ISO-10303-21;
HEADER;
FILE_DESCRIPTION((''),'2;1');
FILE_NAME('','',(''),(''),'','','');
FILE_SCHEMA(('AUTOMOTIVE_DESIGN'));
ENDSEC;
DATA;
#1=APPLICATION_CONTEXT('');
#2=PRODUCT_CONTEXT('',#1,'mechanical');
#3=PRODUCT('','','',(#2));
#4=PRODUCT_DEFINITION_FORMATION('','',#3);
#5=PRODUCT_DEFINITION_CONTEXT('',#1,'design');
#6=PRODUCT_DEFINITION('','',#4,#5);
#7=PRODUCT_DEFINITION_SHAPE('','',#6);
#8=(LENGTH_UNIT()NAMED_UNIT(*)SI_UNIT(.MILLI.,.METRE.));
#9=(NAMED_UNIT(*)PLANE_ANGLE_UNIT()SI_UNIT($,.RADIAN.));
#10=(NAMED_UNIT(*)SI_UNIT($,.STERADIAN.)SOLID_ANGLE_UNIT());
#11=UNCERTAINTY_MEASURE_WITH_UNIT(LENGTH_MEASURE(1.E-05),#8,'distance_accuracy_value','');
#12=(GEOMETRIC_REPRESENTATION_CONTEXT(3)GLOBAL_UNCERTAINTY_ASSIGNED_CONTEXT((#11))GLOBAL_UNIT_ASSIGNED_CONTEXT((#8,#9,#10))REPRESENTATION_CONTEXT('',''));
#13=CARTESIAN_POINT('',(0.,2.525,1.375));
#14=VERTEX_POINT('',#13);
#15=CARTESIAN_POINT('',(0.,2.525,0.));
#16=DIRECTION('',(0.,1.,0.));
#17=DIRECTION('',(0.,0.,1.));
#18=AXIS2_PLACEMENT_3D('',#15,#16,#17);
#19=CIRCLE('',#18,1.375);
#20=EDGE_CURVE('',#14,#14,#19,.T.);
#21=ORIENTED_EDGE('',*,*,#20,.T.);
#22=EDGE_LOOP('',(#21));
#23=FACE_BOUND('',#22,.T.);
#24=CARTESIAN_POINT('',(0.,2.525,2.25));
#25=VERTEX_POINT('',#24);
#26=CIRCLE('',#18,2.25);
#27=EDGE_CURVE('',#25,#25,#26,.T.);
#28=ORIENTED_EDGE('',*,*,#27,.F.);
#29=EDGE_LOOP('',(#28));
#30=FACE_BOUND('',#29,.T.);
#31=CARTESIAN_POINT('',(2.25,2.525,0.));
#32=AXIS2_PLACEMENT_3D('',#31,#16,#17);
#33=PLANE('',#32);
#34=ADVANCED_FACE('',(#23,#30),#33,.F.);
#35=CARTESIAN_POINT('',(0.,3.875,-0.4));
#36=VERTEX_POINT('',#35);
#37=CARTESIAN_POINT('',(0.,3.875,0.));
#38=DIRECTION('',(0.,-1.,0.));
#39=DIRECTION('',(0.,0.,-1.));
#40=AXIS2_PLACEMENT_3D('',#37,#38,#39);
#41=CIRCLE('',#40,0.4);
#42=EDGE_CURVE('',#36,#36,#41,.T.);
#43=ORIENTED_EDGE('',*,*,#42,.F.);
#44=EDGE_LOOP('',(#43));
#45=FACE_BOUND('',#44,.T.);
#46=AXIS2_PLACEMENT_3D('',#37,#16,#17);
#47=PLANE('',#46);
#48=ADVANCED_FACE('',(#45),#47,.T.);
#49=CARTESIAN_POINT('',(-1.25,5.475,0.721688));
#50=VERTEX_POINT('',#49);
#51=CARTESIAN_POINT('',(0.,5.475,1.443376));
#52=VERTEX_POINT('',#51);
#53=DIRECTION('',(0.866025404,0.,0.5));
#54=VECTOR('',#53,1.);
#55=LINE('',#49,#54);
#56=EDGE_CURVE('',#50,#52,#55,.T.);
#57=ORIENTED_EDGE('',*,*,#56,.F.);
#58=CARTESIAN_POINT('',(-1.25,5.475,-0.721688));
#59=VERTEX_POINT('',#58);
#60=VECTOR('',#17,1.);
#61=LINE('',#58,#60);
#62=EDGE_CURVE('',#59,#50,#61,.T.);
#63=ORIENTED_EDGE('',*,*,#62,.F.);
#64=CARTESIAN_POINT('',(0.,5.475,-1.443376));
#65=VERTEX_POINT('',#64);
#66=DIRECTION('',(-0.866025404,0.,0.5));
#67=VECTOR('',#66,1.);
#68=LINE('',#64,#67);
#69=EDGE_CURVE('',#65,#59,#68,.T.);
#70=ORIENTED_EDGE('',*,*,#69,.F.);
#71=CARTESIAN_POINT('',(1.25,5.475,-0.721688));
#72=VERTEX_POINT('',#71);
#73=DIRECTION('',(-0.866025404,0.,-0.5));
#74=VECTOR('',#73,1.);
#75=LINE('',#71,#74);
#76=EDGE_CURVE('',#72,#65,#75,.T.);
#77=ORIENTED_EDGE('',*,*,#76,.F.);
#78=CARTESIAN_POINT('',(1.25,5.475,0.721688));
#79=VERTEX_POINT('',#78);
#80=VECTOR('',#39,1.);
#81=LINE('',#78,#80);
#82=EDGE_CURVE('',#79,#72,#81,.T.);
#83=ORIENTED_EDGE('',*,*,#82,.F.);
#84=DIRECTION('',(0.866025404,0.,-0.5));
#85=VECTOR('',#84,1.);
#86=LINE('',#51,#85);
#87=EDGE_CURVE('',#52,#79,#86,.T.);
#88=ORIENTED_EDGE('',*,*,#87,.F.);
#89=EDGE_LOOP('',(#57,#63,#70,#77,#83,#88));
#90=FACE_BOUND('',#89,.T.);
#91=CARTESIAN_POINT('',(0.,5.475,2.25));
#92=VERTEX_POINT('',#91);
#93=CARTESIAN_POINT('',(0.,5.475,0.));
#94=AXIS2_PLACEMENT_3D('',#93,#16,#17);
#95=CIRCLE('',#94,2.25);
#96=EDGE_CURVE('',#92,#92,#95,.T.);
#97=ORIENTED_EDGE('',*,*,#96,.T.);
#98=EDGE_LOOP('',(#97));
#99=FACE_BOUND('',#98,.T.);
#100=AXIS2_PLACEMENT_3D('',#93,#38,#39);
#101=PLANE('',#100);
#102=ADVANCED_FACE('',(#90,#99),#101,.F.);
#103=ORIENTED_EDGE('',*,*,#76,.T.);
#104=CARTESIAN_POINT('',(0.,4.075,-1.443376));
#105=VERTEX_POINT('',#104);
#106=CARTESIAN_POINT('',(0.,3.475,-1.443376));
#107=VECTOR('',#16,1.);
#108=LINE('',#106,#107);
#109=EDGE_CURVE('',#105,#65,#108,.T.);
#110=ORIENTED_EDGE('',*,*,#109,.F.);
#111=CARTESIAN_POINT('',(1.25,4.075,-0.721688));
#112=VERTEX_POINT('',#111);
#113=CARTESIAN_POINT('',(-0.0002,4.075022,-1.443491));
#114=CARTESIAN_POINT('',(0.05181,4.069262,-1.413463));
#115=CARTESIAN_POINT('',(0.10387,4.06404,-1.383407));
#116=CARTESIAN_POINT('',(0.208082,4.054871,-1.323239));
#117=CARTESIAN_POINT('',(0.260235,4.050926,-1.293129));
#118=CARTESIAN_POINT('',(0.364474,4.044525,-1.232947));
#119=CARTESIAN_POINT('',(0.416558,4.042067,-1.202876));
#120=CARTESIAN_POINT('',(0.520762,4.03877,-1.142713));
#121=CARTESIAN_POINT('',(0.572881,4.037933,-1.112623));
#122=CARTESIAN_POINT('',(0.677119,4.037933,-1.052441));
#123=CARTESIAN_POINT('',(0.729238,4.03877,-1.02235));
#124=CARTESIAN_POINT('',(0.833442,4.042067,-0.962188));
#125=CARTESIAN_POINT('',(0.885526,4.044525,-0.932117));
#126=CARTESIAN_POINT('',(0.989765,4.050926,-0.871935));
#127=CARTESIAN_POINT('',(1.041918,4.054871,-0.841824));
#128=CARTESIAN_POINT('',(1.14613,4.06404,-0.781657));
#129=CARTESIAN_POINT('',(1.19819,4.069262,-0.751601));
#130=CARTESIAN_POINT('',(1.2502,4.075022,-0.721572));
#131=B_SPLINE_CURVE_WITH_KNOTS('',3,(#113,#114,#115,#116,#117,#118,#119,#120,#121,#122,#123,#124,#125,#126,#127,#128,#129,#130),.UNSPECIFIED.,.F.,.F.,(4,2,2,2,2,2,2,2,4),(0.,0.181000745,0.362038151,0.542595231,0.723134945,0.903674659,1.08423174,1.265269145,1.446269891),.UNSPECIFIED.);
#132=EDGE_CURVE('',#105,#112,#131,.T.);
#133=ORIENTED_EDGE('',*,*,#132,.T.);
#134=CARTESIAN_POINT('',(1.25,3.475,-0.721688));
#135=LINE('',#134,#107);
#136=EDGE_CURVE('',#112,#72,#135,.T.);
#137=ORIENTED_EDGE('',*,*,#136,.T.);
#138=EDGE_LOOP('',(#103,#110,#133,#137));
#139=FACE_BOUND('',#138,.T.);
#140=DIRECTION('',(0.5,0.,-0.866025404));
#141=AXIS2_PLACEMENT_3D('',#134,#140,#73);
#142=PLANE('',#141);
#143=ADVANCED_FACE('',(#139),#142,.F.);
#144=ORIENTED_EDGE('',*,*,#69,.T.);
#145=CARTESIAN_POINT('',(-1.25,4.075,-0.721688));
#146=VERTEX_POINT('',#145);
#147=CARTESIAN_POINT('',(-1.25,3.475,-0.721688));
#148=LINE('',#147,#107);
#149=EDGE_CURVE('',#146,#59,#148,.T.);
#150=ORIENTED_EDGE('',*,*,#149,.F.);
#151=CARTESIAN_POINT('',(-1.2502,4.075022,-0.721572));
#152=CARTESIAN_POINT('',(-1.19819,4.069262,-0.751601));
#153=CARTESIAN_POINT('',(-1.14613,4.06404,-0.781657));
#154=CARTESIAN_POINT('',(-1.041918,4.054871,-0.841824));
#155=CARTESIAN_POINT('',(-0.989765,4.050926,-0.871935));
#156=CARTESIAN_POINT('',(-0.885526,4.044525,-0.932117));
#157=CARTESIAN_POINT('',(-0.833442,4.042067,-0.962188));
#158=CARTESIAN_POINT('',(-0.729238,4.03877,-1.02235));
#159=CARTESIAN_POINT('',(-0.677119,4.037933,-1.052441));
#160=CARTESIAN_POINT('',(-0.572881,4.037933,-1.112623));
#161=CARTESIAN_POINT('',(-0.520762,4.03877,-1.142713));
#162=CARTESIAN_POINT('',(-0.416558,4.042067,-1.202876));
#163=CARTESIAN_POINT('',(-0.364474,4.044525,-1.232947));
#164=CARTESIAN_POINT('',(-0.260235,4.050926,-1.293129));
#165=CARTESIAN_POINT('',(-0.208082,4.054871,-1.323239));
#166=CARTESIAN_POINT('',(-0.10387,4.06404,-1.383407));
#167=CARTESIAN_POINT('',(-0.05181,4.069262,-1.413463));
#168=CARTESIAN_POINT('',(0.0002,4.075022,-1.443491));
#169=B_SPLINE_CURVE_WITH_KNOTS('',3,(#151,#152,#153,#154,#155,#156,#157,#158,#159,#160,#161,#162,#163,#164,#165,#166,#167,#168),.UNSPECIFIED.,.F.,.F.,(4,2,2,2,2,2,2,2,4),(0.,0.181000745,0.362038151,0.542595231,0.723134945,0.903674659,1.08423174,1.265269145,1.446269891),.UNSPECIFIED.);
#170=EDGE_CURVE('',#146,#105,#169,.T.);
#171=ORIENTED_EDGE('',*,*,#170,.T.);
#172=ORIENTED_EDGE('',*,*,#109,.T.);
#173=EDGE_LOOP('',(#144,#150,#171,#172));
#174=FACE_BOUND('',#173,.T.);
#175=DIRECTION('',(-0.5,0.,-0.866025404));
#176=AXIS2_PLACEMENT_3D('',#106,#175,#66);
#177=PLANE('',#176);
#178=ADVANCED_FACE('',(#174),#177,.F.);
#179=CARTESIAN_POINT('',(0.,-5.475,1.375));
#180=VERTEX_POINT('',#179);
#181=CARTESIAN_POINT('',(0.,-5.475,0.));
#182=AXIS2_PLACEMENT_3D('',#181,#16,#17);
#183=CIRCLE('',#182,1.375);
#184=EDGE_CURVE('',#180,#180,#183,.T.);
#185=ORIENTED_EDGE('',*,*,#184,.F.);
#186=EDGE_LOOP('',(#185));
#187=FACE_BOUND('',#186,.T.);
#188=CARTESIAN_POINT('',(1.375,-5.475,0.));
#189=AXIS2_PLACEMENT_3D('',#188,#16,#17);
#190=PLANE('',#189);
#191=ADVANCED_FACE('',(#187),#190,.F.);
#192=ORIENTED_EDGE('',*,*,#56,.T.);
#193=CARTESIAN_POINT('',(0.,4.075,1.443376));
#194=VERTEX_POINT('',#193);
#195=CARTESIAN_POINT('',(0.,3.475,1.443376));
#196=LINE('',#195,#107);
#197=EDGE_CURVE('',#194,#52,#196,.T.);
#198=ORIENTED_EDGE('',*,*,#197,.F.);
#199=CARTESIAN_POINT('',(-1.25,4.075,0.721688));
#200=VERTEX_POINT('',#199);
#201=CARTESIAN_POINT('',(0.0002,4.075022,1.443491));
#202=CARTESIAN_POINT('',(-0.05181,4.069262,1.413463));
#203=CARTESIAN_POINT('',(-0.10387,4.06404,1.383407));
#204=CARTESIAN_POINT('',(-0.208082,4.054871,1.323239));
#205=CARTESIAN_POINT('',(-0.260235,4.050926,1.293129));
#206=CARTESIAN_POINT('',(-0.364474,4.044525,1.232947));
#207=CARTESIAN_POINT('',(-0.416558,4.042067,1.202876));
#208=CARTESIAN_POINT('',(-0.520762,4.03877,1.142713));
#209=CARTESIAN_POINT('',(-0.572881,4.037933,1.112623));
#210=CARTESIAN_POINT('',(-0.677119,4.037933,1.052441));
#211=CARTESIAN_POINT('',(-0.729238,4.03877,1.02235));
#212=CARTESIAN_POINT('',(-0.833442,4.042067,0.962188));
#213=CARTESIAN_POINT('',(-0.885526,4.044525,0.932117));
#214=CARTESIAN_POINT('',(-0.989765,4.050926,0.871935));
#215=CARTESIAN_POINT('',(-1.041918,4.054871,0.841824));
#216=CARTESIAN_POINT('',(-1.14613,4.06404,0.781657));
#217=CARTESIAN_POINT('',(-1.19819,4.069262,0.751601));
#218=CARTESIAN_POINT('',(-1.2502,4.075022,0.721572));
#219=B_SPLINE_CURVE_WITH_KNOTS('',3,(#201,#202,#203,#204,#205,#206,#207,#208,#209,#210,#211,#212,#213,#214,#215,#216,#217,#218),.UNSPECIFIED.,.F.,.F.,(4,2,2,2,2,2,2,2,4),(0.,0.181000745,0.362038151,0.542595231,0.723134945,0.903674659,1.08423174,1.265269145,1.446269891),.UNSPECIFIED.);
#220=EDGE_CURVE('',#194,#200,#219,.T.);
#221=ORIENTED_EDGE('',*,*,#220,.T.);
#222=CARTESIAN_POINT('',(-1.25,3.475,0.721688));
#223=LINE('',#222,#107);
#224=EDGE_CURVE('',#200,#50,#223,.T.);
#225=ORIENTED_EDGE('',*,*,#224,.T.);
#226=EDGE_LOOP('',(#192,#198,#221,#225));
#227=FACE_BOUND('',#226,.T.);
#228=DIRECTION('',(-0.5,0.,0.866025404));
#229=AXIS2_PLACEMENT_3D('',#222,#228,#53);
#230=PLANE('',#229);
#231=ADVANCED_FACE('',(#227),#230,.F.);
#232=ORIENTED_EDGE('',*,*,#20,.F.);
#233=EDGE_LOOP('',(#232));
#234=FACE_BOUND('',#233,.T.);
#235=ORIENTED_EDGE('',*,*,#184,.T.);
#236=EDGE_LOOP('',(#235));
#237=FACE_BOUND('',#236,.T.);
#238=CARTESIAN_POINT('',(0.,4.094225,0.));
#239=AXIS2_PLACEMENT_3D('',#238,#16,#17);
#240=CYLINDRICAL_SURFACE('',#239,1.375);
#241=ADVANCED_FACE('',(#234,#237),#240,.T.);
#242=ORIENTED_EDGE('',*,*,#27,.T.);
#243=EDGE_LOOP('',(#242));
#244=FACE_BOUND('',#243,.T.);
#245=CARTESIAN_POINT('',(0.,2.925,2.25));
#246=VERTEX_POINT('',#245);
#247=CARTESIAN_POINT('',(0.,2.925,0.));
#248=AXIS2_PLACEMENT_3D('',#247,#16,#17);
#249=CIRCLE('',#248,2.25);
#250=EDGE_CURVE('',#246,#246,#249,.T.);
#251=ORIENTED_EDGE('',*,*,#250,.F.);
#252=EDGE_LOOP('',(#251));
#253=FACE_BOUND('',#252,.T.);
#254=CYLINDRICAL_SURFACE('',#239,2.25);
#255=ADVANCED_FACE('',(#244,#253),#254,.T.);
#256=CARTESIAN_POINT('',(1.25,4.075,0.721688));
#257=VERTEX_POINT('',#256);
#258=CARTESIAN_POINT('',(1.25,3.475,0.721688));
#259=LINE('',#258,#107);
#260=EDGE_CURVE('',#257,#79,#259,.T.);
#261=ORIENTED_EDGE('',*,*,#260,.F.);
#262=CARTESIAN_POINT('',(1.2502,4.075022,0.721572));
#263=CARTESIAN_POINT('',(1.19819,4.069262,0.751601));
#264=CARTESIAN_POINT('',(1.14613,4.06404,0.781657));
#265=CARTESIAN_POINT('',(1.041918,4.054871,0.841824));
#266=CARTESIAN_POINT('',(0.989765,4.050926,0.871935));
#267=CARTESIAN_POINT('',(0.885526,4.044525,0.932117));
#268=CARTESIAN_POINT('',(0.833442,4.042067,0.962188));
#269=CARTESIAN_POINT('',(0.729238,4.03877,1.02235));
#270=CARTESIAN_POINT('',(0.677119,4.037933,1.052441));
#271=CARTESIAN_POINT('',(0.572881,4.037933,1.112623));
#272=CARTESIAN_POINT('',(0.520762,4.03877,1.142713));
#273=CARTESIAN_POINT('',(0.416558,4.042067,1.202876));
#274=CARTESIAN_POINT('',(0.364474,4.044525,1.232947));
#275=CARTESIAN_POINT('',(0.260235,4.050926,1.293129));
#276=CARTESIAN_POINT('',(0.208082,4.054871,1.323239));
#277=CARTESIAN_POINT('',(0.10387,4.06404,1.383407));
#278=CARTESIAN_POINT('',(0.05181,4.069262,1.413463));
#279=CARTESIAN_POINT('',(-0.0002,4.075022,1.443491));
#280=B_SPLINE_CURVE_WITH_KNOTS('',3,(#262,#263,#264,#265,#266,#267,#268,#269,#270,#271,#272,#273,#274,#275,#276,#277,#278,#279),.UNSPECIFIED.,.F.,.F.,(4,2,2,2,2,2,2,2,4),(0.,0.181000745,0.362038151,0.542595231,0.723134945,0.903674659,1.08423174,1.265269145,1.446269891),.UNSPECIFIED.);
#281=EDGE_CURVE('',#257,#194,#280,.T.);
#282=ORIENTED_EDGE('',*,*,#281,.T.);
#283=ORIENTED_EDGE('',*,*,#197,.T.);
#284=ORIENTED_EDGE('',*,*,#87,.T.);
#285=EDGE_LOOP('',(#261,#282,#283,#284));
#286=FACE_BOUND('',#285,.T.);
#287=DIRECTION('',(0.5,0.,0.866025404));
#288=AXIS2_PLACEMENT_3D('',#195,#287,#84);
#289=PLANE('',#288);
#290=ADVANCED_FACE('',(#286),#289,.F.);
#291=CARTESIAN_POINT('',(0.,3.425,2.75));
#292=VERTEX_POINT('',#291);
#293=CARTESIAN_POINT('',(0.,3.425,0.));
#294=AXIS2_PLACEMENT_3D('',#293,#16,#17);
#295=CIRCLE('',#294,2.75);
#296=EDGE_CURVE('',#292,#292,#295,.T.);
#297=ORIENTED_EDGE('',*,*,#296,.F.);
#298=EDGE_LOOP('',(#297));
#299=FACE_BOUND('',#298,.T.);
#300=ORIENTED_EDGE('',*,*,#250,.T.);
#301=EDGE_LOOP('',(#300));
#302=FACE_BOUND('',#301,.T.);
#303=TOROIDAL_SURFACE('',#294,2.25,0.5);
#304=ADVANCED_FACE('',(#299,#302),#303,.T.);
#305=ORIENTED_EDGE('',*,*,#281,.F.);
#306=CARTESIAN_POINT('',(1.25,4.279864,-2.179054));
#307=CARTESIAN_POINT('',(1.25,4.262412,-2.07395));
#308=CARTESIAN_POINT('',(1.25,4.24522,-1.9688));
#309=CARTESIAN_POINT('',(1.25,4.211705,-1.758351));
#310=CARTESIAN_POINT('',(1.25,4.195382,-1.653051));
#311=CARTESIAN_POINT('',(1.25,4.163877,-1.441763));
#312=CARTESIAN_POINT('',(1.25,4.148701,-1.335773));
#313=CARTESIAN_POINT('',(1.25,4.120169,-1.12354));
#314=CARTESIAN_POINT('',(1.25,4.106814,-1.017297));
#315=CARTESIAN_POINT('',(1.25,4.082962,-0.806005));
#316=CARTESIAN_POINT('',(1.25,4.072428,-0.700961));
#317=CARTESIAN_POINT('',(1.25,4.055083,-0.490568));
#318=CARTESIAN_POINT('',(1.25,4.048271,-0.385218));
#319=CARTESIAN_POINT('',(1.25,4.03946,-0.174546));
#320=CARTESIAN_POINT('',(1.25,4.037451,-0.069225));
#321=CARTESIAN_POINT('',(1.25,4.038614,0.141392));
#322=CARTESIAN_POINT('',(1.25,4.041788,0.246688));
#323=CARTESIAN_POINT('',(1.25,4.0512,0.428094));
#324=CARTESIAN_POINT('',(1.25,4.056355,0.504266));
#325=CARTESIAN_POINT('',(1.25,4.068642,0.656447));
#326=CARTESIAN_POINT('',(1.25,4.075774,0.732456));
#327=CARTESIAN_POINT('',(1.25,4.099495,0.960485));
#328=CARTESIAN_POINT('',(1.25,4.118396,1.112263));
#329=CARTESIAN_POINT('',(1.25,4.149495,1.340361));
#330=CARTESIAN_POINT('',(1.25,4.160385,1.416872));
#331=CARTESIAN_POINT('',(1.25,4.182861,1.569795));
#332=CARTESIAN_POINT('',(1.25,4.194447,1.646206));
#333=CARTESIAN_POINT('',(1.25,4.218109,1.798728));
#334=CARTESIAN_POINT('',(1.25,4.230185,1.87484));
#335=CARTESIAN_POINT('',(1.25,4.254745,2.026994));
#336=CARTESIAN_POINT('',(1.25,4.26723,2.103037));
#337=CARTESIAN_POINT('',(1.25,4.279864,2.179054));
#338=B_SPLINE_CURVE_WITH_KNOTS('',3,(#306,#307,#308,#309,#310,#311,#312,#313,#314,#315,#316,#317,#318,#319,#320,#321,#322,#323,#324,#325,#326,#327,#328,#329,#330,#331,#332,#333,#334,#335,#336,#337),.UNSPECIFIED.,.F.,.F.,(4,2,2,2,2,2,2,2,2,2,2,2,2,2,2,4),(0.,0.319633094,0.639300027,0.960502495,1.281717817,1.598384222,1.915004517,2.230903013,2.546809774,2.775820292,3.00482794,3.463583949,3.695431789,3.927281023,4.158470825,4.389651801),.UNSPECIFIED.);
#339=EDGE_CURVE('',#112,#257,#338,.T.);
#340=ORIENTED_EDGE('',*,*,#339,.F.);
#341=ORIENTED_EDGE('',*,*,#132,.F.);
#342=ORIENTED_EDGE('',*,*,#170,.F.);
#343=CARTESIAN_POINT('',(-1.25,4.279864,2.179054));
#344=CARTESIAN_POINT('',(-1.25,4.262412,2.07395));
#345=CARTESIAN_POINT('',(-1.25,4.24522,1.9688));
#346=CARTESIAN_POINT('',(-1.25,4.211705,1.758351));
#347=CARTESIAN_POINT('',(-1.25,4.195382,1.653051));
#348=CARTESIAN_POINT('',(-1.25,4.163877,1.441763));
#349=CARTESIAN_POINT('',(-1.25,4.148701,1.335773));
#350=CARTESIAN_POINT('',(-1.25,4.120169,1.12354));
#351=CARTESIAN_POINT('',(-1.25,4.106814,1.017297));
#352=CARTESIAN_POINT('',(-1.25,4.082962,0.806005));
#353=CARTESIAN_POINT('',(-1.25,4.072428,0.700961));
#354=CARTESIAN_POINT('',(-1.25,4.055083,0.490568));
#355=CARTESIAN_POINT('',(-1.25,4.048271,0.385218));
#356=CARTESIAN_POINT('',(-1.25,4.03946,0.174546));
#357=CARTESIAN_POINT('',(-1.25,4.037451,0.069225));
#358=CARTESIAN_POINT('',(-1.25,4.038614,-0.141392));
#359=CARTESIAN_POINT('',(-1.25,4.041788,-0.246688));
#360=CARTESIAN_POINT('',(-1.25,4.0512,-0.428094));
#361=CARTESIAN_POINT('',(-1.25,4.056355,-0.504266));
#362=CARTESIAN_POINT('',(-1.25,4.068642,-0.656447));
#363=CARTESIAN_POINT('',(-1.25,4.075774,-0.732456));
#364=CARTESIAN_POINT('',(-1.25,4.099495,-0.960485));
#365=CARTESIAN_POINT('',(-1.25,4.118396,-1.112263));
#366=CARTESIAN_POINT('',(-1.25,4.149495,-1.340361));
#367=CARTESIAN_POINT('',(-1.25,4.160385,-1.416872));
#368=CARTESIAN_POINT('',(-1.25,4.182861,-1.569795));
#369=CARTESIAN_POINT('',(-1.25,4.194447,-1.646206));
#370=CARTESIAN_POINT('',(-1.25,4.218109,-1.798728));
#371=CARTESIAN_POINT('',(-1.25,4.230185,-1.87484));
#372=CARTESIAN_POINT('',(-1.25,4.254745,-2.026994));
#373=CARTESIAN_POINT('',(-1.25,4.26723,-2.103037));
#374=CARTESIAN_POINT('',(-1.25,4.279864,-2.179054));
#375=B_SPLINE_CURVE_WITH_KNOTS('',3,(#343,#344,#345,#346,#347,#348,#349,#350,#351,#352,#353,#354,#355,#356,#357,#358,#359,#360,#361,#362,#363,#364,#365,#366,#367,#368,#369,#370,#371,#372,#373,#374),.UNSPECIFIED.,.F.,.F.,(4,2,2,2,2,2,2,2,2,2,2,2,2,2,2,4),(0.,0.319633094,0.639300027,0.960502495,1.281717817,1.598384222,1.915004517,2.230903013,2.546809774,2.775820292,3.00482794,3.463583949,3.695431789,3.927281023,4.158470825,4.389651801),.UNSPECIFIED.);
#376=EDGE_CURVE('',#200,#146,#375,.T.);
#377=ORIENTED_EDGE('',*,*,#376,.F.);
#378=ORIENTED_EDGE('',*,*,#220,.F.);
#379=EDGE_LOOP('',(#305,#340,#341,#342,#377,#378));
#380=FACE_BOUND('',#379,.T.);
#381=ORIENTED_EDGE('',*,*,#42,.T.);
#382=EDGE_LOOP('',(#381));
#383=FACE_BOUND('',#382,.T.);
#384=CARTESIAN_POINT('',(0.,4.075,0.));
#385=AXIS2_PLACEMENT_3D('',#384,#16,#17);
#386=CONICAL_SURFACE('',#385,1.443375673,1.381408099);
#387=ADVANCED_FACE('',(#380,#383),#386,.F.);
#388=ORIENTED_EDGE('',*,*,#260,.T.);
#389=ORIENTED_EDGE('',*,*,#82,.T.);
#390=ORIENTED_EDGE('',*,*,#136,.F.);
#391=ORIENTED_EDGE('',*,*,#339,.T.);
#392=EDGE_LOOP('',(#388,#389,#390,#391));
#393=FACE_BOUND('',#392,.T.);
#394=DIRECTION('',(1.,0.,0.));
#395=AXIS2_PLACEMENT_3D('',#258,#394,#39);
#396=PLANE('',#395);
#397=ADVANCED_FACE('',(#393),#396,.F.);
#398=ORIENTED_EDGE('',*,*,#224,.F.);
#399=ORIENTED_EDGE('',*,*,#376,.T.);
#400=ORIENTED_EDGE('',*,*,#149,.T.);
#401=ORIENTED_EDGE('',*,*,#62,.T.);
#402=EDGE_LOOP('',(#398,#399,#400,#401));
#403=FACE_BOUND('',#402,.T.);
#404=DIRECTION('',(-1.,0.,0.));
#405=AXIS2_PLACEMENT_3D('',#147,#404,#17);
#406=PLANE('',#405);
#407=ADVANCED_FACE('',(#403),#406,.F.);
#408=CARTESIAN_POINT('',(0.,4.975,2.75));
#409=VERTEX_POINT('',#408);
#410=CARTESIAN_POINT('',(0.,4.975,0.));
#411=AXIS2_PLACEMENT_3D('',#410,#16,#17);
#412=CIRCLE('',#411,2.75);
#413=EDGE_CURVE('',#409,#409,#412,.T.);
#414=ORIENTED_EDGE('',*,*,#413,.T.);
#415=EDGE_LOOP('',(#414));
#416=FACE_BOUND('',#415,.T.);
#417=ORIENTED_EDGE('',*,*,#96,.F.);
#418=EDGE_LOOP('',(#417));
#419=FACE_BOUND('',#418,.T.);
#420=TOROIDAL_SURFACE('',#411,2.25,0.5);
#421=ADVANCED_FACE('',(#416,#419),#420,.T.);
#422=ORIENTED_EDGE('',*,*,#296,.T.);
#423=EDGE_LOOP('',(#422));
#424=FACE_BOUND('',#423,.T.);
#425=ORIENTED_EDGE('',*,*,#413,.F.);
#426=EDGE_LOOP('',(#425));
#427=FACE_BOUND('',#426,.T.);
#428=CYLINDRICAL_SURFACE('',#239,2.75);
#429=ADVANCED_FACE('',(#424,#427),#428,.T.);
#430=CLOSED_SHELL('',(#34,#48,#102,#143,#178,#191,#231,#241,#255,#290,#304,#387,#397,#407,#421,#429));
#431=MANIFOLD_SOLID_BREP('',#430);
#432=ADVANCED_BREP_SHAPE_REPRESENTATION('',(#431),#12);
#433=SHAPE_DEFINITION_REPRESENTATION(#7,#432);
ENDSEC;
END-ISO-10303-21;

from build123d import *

# Parameters (mm, degrees)
BOSS_EXTRUDE1_DEPTH = 2


with BuildPart() as part:
    # Sketch1 → Revolve1 (revolve)
    with BuildSketch(Plane.XY):
        with BuildLine():
            Line((0, 5.475), (2.25, 5.475))
            ThreePointArc((2.25, 5.475), (2.603553391, 5.328553391), (2.75, 4.975))
            Line((2.75, 4.975), (2.75, 3.425))
            ThreePointArc((2.75, 3.425), (2.603553391, 3.071446609), (2.25, 2.925))
            Line((2.25, 2.925), (2.25, 2.525))
            Line((2.25, 2.525), (1.375, 2.525))
            Line((1.375, 2.525), (1.375, -5.475))
            Line((1.375, -5.475), (0, -5.475))
            Line((0, -5.475), (0, 5.475))
        make_face()
    revolve(axis=Axis((0, 4.094224924, 0), (0, -1, 0)))


with BuildPart() as body_2:
    # Sketch2 → Boss-Extrude1 (new body)
    with BuildSketch(Plane(origin=(0, 5.475, 0), x_dir=(1, 0, 0), z_dir=(0, 1, 0))):
        Polygon((0, 1.443375673), (-1.25, 0.721687836), (-1.25, -0.721687836), (0, -1.443375673), (1.25, -0.721687836), (1.25, 0.721687836), align=None)
    extrude(amount=-BOSS_EXTRUDE1_DEPTH)

    # Sketch3 → Cut-Revolve1 (revolve, cut)
    with BuildSketch(Plane(origin=(0, 0, 0), x_dir=(0, 0, -1), z_dir=(1, 0, 0))):
        Polygon((0, 3.875), (0.4, 3.875), (1.443375673, 4.075), (1.443375673, 3.475), (0, 3.475), align=None)
    revolve(axis=Axis((0, 3.475, 0), (0, 1, 0)), mode=Mode.SUBTRACT)


with BuildPart() as part_1:
    add(part.part)

    # Combine1: cut body 2
    add(body_2.part, mode=Mode.SUBTRACT)


solid = part_1.part
